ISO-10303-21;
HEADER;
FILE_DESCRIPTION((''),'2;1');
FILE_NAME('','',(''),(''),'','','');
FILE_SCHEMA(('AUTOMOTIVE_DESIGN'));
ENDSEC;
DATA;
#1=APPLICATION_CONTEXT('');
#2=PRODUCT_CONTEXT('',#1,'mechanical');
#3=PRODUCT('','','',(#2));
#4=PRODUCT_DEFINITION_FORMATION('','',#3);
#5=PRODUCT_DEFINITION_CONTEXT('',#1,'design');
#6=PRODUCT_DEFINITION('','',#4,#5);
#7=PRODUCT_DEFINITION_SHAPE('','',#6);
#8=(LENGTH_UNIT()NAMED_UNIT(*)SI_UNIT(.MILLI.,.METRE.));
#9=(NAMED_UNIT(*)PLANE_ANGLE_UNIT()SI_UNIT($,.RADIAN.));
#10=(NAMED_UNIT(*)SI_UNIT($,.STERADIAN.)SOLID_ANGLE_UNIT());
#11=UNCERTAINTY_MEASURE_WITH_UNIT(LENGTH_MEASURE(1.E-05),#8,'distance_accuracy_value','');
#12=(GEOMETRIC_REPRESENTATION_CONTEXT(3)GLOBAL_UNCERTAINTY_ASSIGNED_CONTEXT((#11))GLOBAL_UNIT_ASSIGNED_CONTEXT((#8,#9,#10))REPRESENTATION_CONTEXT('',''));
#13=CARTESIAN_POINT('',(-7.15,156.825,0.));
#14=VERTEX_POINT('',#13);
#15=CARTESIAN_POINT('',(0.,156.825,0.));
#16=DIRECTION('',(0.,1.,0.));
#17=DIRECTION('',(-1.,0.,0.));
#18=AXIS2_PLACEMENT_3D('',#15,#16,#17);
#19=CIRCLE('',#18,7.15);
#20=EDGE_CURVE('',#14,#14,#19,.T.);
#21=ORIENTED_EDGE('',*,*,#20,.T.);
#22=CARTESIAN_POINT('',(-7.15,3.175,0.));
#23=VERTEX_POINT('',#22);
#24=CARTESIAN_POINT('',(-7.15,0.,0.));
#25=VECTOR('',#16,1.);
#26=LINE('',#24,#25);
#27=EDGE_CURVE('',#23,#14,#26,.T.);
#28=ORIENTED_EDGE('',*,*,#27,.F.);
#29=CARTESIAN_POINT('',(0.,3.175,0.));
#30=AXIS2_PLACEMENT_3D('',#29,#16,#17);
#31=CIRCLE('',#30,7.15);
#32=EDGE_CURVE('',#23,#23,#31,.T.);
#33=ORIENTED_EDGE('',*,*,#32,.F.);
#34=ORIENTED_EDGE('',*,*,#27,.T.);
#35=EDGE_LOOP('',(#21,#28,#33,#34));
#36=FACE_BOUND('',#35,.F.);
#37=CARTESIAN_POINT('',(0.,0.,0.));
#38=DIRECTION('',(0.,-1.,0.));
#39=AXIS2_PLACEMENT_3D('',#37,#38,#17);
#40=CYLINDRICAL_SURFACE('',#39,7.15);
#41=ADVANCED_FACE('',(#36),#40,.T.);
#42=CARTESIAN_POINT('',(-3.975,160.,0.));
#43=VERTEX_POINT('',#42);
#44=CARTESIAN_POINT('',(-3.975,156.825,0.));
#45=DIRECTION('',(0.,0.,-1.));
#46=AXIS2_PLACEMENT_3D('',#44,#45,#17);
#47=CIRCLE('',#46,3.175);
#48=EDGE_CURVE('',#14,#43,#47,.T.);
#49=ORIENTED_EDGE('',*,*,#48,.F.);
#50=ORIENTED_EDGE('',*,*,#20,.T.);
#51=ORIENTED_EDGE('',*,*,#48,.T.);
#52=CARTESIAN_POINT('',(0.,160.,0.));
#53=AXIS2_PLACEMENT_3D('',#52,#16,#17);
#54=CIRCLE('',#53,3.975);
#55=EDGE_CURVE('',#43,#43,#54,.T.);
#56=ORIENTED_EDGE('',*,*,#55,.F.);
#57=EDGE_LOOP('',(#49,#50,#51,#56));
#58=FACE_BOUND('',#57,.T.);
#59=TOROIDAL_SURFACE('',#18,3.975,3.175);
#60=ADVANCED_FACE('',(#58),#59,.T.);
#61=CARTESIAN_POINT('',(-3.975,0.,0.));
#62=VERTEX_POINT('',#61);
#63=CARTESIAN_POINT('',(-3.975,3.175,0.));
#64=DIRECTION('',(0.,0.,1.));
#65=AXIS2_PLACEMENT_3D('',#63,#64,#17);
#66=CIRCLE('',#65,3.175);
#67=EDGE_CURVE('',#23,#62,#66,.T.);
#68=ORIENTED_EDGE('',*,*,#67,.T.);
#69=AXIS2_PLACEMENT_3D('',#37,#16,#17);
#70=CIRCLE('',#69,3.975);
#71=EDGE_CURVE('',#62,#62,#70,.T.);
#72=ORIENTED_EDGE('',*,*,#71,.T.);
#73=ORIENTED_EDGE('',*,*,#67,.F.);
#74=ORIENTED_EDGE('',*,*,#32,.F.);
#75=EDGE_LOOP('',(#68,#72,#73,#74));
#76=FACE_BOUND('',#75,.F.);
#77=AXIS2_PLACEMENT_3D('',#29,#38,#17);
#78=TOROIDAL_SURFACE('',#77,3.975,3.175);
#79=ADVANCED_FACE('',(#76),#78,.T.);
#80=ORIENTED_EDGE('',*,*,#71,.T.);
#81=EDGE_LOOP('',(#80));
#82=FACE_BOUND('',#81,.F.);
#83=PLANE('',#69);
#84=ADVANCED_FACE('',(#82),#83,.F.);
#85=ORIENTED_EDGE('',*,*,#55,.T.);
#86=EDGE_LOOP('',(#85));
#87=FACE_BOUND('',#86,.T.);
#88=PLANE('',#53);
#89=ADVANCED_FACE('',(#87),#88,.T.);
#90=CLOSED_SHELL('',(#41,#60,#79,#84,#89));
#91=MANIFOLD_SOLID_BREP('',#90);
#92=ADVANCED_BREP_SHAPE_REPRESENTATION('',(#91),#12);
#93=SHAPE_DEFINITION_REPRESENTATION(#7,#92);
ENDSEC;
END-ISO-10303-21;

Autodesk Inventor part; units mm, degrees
ref_plane "YZ Plane" through (0, 0, 0) normal (1, 0, 0) x (0, 1, 0)
ref_plane "XZ Plane" through (0, 0, 0) normal (0, 1, 0) x (-1, 0, 0)
ref_plane "XY Plane" through (0, 0, 0) normal (0, 0, 1) x (1, 0, 0)
sketch "Sketch1" plane through (0, 0, 0) normal (0, 1, 0) x (-1, 0, 0)
  circle A0 centre (0, 0) radius 7.15
  dimension "d0" = 14.3
extrude "Extrusion1" add sketch "Sketch1" along normal blind 160
fillet "Fillet1" radius 3.175 2 edges at (7.15, 160, 0) (7.15, 0, 0)
properties part number "30_CUBE_openSIM_Laserpointer_532"
